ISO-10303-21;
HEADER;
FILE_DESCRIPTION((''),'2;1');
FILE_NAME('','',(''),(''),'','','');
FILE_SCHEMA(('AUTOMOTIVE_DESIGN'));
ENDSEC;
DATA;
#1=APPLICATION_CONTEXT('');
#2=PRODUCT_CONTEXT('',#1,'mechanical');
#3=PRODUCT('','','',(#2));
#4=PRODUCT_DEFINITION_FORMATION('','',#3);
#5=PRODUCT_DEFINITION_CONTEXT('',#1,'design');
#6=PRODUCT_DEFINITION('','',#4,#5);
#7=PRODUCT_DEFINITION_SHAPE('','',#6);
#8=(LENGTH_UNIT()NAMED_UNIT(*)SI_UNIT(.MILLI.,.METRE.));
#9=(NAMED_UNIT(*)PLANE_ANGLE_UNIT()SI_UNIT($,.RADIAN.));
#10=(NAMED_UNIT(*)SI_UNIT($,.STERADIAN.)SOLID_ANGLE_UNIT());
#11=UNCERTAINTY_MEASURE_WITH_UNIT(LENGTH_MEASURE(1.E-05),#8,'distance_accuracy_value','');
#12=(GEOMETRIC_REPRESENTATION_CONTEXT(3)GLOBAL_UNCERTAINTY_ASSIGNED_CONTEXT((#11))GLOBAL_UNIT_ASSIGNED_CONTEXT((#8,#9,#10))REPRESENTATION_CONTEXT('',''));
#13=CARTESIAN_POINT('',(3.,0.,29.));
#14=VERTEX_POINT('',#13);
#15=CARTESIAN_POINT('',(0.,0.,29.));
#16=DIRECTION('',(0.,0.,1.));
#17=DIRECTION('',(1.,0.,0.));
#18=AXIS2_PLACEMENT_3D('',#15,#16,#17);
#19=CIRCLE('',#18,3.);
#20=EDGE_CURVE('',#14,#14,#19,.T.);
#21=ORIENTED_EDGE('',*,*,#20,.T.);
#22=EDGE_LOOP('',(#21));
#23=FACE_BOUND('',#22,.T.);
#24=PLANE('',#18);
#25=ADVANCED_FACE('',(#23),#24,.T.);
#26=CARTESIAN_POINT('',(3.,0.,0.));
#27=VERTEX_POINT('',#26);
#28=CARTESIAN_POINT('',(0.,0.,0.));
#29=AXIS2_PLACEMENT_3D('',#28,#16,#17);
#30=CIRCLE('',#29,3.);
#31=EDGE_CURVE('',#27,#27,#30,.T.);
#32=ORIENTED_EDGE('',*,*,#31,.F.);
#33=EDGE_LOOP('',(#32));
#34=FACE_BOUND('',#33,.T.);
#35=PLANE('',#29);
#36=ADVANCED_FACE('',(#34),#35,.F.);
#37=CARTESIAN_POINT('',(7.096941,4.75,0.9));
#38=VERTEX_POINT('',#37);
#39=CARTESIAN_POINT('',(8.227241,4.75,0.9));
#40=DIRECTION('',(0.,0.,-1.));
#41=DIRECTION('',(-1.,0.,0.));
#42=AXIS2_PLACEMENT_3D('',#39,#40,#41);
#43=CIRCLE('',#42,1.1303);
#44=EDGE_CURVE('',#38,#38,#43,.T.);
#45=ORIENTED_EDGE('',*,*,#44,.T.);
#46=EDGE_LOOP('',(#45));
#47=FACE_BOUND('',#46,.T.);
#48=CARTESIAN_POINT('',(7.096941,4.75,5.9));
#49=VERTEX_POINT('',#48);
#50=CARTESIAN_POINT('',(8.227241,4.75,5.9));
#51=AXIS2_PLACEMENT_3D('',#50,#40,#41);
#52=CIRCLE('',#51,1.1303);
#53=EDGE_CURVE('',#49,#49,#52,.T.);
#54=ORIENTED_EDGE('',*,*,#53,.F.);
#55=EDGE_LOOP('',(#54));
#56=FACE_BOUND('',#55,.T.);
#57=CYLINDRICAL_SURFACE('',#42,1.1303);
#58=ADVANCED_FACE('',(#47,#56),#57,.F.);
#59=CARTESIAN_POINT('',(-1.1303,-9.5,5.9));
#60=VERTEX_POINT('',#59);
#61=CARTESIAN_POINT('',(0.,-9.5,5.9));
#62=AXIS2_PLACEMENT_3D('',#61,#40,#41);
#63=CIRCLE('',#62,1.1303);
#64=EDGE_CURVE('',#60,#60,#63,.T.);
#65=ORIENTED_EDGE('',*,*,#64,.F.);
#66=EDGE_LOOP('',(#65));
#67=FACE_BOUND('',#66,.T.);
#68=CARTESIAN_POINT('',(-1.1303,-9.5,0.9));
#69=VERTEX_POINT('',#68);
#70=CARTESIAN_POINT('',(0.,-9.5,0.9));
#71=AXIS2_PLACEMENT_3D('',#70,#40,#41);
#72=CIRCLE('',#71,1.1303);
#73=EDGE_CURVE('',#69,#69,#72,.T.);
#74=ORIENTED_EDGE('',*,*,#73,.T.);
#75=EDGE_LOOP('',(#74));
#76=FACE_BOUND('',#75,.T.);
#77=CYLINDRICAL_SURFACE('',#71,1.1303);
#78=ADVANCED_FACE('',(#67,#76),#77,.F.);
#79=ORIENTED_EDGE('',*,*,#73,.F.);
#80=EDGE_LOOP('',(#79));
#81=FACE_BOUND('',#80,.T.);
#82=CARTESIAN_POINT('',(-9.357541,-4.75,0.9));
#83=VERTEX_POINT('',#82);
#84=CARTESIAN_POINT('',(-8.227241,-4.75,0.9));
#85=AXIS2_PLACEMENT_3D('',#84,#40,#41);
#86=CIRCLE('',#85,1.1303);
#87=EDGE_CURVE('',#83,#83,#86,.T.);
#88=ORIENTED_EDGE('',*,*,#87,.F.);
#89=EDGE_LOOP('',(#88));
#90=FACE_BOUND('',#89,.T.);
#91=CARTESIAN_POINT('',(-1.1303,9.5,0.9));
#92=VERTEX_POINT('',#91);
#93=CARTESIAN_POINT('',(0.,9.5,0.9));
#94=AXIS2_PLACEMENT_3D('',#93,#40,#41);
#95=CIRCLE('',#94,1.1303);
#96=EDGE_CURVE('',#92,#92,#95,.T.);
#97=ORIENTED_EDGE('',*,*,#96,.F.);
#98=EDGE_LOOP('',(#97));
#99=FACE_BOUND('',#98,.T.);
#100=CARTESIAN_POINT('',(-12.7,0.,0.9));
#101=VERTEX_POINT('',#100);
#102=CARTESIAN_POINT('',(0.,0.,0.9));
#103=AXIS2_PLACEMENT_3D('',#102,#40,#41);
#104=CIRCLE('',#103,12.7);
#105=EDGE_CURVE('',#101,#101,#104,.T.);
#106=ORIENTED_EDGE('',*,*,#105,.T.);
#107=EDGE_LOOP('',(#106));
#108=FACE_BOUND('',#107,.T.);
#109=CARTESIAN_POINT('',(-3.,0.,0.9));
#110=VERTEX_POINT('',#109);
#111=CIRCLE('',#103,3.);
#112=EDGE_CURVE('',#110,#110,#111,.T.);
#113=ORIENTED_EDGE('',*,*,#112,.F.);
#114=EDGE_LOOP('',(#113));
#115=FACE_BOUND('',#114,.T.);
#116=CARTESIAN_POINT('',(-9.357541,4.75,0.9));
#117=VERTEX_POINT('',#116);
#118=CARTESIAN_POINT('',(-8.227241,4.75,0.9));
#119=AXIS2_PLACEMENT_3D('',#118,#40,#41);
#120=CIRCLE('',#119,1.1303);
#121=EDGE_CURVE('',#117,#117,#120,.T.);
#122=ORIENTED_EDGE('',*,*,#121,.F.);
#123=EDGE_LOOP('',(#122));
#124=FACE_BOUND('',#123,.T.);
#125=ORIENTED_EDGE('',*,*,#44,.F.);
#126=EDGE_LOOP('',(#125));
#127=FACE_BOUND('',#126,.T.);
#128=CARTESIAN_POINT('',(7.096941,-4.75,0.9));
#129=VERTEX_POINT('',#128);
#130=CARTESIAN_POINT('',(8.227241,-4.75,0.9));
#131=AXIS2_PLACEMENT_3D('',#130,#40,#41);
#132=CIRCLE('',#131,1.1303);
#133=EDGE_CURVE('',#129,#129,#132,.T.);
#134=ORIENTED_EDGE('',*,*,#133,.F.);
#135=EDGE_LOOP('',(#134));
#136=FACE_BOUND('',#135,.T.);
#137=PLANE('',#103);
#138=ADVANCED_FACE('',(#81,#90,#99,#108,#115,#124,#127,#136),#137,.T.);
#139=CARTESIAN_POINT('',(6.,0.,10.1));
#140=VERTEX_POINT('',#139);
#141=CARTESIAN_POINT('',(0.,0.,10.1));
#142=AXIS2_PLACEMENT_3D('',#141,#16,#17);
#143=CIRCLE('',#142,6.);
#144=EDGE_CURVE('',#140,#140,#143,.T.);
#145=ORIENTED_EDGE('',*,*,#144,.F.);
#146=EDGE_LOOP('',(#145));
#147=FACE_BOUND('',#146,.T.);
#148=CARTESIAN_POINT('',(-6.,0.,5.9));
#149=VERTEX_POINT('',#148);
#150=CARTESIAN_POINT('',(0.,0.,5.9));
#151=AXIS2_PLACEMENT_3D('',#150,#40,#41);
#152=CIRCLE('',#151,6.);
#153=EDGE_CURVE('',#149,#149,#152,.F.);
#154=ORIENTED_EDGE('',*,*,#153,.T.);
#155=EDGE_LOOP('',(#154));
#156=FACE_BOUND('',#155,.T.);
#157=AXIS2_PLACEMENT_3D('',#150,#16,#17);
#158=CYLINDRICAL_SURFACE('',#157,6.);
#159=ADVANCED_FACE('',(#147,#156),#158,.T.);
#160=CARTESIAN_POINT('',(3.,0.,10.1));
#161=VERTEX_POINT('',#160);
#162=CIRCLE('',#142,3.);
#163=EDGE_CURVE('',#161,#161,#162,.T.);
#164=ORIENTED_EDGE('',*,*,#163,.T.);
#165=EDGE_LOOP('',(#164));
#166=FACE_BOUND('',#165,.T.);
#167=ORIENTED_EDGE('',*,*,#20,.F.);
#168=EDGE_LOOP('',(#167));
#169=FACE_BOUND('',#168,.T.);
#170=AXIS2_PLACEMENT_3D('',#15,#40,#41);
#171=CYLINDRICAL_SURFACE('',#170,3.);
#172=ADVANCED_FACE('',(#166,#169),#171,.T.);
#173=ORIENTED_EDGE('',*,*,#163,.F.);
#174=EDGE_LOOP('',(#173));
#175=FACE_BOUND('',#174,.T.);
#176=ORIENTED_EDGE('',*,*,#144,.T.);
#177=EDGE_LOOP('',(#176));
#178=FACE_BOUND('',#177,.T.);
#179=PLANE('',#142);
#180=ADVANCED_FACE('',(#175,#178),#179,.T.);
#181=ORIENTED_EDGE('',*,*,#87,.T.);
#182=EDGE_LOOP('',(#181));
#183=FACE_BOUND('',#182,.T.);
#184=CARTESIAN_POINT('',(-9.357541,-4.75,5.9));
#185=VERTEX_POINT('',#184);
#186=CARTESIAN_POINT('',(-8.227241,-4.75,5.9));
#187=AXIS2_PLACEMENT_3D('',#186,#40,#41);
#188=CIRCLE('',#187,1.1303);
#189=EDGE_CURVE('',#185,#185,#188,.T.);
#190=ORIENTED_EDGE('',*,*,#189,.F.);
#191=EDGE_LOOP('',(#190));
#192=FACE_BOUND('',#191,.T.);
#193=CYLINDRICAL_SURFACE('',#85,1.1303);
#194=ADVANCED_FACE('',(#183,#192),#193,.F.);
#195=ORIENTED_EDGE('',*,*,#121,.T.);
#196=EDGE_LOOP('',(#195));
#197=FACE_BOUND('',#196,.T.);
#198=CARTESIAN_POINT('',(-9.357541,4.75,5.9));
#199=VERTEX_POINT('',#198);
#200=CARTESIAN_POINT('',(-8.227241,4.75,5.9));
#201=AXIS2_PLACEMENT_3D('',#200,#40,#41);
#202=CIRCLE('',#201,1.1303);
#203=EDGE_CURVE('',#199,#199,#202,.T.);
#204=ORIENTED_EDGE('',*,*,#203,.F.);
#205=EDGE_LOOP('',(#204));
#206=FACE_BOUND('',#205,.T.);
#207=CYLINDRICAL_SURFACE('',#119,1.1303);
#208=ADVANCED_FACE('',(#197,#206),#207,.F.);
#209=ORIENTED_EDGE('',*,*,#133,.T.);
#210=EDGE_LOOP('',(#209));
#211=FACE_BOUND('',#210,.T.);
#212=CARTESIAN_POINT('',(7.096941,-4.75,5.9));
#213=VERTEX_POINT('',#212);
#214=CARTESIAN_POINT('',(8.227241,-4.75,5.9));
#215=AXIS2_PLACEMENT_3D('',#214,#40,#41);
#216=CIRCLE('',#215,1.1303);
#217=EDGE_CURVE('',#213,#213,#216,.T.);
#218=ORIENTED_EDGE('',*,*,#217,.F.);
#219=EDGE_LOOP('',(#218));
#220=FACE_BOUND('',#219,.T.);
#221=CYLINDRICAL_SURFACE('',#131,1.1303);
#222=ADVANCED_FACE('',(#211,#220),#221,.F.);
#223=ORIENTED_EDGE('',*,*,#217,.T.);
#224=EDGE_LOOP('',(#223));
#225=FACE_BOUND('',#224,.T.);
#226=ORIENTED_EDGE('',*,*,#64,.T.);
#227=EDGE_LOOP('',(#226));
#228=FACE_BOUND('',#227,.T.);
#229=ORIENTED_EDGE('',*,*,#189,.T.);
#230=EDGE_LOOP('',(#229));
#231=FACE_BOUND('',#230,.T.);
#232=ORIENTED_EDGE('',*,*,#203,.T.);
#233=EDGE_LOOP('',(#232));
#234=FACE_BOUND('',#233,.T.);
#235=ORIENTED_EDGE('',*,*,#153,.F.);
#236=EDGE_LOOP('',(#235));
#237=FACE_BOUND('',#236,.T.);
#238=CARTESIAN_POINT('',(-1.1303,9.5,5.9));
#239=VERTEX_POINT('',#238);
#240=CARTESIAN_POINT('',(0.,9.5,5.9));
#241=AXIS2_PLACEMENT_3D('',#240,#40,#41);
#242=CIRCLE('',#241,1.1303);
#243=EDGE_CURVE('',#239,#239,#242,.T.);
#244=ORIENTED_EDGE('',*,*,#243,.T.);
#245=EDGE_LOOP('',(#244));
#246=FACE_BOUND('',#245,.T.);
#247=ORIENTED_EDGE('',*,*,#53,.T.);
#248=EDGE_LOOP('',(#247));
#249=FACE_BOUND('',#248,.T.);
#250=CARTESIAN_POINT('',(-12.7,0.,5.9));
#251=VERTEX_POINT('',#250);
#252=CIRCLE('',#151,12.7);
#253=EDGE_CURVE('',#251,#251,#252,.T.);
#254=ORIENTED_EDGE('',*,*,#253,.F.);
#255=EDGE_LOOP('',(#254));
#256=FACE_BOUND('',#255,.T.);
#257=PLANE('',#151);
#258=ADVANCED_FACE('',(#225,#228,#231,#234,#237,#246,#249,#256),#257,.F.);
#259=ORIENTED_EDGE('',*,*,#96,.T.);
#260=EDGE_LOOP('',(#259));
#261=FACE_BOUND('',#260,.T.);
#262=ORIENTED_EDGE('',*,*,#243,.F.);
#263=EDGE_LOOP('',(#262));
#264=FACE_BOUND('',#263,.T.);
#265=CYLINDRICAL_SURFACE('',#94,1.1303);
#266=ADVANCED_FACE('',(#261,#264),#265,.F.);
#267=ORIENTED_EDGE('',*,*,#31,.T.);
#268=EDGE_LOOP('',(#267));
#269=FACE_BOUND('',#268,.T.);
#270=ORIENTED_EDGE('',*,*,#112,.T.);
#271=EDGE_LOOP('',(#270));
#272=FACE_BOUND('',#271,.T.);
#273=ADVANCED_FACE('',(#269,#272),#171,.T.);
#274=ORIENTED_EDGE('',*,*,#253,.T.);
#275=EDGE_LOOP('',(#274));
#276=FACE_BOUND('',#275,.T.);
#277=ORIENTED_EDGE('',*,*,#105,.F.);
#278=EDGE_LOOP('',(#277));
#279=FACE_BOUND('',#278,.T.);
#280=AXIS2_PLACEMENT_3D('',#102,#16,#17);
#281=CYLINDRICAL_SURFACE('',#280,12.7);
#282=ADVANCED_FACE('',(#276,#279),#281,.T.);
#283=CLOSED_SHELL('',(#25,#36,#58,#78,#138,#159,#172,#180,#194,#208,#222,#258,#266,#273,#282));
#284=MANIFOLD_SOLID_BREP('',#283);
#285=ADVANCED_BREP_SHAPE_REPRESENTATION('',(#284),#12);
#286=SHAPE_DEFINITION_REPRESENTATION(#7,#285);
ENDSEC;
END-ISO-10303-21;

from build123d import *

# Parameters (mm, degrees)
SKETCH1_R                 = 3
BOSS_EXTRUDE1_DEPTH       = 29
SKETCH2_R                 = 6
BOSS_EXTRUDE2_DEPTH       = 2.1
SKETCH3_R                 = 12.7
BOSS_EXTRUDE3_DEPTH       = 5
SKETCH4_R                 = 6
BOSS_EXTRUDE4_DEPTH       = 2.1
F_4_40_TAPPED_HOLE1_D     = 2.2606
F_4_40_TAPPED_HOLE1_DEPTH = 7.6
F_4_40_TAPPED_HOLE1_TIP   = 0.679152758


with BuildPart() as part:
    # Sketch1 → Boss-Extrude1 (new body)
    with BuildSketch(Plane.XY):
        Circle(SKETCH1_R)
    extrude(amount=BOSS_EXTRUDE1_DEPTH)

    # Sketch2 → Boss-Extrude2 (add)
    with BuildSketch(Plane.XY.offset(8)):
        Circle(SKETCH2_R)
    extrude(amount=-BOSS_EXTRUDE2_DEPTH)

    # Sketch3 → Boss-Extrude3 (add)
    with BuildSketch(Plane(origin=(0, 0, 5.9), x_dir=(-1, 0, 0), z_dir=(0, 0, -1))):
        Circle(SKETCH3_R)
    extrude(amount=BOSS_EXTRUDE3_DEPTH)

    # Sketch4 → Boss-Extrude4 (add)
    with BuildSketch(Plane.XY.offset(8)):
        Circle(SKETCH4_R)
    extrude(amount=BOSS_EXTRUDE4_DEPTH)

    # #4-40 Tapped Hole1
    with Locations(Plane(origin=(0, 0, 0.9), x_dir=(-1, 0, 0), z_dir=(0, 0, -1))):
        with Locations((8.227241336, 4.75), (8.227241336, -4.75), (0, -9.5), (-8.227241336, -4.75), (-8.227241336, 4.75), (0, 9.5)):
            Hole(F_4_40_TAPPED_HOLE1_D / 2, depth=F_4_40_TAPPED_HOLE1_DEPTH)
            with Locations((0, 0, -(F_4_40_TAPPED_HOLE1_DEPTH + F_4_40_TAPPED_HOLE1_TIP / 2))):  # 118° drill point
                Cone(0, F_4_40_TAPPED_HOLE1_D / 2, F_4_40_TAPPED_HOLE1_TIP, mode=Mode.SUBTRACT)


solid = part.part
